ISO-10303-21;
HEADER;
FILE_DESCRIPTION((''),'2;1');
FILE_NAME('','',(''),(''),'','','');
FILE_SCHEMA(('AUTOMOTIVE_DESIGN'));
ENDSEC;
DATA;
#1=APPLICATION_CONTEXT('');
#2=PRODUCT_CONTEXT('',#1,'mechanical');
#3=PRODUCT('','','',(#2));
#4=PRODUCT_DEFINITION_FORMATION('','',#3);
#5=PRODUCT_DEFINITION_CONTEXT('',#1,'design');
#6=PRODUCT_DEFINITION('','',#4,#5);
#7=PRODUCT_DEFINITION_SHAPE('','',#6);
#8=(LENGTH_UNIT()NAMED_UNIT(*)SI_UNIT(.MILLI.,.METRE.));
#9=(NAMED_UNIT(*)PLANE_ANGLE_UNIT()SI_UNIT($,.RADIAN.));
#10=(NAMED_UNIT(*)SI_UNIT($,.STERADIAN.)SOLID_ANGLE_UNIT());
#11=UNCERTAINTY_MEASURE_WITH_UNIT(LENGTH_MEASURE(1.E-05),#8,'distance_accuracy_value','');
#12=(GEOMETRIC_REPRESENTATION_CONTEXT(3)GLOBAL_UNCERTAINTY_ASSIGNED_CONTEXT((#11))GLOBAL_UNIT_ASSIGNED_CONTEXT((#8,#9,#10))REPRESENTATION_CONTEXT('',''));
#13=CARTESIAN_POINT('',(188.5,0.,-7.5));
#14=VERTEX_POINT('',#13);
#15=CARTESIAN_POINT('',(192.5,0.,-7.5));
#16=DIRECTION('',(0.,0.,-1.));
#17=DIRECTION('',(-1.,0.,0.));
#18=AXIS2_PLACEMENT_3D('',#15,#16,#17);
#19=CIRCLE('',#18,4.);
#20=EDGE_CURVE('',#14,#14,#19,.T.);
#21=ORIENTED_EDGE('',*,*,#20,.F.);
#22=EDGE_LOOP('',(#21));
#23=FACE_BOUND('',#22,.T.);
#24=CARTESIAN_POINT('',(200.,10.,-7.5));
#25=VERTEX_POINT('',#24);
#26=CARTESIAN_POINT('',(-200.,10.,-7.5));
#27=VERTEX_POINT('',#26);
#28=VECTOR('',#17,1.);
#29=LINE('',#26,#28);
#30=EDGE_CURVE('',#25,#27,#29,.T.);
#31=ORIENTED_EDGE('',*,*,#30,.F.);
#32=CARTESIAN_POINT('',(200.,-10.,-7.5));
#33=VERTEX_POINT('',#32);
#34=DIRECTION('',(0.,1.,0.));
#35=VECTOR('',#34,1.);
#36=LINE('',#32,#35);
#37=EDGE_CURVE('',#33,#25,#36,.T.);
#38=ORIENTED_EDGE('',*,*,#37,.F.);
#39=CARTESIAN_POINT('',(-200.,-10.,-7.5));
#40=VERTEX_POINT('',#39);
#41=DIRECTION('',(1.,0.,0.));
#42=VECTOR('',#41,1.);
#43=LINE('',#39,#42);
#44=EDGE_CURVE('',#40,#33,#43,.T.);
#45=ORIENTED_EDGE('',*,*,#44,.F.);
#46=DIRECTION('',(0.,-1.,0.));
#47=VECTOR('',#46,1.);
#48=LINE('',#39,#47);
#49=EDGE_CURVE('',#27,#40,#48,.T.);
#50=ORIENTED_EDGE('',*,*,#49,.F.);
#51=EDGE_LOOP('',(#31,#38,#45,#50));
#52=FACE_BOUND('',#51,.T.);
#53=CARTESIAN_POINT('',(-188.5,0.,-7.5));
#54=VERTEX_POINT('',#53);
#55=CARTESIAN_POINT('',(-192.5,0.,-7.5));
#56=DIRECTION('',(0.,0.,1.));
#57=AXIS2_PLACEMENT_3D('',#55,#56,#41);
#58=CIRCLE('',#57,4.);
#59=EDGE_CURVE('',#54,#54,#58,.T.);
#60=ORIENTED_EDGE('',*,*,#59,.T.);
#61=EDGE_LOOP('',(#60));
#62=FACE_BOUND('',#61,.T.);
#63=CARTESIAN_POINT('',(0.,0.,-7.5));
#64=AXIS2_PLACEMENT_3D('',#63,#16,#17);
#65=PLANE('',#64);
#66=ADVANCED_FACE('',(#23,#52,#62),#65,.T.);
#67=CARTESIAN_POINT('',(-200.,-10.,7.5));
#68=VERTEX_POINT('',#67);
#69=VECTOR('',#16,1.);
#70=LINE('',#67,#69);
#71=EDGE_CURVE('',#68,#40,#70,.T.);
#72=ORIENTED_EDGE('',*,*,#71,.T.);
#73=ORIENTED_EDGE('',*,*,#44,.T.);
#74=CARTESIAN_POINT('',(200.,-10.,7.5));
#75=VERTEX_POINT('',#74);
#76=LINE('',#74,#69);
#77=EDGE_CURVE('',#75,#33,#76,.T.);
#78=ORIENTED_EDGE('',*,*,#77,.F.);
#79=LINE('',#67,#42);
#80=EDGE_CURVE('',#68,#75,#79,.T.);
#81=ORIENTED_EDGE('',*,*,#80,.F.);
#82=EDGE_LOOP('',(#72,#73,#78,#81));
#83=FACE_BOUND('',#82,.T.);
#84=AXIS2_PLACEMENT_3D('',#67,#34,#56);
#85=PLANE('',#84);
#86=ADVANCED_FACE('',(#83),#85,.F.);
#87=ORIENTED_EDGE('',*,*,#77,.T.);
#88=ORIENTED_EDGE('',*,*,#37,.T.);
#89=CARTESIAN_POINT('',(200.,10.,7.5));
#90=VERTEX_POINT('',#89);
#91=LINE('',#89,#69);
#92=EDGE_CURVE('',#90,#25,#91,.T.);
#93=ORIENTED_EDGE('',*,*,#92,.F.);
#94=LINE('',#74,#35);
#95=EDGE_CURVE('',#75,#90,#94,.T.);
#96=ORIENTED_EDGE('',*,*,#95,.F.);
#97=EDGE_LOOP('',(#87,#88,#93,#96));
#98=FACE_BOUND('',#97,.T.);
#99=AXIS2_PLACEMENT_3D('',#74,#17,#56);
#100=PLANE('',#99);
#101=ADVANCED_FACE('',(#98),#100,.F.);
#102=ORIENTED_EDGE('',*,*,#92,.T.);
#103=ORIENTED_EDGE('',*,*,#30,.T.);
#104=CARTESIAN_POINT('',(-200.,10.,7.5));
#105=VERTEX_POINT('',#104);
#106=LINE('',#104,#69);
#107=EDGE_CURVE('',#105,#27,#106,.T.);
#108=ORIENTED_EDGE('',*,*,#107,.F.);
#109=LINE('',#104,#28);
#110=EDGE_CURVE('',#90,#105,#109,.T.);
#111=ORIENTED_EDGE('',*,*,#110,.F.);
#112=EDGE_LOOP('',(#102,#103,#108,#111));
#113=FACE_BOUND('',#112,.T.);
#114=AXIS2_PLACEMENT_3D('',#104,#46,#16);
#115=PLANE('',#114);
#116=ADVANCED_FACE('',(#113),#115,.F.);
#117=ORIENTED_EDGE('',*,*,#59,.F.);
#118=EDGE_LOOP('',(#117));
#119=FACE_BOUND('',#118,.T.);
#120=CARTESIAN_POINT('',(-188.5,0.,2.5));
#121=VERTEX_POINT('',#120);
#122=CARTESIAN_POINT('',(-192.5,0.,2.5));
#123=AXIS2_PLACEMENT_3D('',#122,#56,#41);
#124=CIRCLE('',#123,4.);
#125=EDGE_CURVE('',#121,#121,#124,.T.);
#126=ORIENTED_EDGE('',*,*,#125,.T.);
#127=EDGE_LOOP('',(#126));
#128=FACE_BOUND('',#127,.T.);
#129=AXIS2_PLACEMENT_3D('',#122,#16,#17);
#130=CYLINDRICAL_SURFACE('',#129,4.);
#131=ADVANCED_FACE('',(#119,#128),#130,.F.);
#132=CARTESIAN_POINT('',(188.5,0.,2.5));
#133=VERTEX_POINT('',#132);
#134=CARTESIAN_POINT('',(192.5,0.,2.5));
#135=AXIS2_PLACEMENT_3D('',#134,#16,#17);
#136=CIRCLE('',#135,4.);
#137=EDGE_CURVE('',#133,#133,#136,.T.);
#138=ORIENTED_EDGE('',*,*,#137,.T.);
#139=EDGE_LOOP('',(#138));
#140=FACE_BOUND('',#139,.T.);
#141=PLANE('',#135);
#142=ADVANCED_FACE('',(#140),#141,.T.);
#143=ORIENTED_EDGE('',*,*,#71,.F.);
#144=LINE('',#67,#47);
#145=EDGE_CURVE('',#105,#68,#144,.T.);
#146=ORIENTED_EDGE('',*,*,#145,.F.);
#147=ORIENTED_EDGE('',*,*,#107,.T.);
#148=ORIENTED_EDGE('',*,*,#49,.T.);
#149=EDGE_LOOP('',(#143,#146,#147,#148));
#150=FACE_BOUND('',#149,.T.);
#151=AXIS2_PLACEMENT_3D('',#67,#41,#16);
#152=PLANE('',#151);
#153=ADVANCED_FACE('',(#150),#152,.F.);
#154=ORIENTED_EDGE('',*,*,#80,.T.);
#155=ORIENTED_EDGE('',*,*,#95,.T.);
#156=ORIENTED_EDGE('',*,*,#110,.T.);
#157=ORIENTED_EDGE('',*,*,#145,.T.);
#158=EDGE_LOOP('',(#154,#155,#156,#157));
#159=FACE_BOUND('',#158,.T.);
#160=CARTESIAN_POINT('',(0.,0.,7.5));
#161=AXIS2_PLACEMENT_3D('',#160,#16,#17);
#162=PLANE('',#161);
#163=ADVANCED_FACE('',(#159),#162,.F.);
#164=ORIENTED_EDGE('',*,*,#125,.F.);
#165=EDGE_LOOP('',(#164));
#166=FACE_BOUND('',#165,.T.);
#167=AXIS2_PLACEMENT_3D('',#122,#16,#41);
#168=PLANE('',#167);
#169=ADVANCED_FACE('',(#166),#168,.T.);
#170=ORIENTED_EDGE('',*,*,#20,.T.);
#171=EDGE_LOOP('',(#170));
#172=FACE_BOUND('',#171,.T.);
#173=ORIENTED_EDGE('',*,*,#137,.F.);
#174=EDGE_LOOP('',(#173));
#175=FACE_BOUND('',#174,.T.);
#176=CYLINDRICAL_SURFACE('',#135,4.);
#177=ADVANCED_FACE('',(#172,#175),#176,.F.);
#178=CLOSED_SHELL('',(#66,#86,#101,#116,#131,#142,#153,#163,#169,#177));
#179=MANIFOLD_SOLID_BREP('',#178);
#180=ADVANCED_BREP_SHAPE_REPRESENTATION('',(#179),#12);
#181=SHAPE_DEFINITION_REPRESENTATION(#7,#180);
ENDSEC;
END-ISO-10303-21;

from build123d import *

# Parameters (mm, degrees)
SKETCH1_W           = 400
SKETCH1_H           = 20
BOSS_EXTRUDE1_DEPTH = 7.5
SKETCH2_R           = 4
CUT_EXTRUDE1_DEPTH  = 10


with BuildPart() as part:
    # Sketch1 → Boss-Extrude1 (new body, symmetric)
    with BuildSketch(Plane.XY):
        Rectangle(SKETCH1_W, SKETCH1_H)
    extrude(amount=BOSS_EXTRUDE1_DEPTH, both=True)

    # Sketch2 → Cut-Extrude1 (cut)
    with BuildSketch(Plane(origin=(0, 0, -7.5), x_dir=(-1, 0, 0), z_dir=(0, 0, -1))):
        with Locations((-192.5, 0)):
            Circle(SKETCH2_R)
    cut_extrude1 = extrude(amount=-CUT_EXTRUDE1_DEPTH, mode=Mode.SUBTRACT)

    # Mirror1: Cut-Extrude1 across plane
    add(cut_extrude1.mirror(Plane(origin=(0, 0, 0), x_dir=(0, 0, 1), z_dir=(1, 0, 0))), mode=Mode.SUBTRACT)


solid = part.part
